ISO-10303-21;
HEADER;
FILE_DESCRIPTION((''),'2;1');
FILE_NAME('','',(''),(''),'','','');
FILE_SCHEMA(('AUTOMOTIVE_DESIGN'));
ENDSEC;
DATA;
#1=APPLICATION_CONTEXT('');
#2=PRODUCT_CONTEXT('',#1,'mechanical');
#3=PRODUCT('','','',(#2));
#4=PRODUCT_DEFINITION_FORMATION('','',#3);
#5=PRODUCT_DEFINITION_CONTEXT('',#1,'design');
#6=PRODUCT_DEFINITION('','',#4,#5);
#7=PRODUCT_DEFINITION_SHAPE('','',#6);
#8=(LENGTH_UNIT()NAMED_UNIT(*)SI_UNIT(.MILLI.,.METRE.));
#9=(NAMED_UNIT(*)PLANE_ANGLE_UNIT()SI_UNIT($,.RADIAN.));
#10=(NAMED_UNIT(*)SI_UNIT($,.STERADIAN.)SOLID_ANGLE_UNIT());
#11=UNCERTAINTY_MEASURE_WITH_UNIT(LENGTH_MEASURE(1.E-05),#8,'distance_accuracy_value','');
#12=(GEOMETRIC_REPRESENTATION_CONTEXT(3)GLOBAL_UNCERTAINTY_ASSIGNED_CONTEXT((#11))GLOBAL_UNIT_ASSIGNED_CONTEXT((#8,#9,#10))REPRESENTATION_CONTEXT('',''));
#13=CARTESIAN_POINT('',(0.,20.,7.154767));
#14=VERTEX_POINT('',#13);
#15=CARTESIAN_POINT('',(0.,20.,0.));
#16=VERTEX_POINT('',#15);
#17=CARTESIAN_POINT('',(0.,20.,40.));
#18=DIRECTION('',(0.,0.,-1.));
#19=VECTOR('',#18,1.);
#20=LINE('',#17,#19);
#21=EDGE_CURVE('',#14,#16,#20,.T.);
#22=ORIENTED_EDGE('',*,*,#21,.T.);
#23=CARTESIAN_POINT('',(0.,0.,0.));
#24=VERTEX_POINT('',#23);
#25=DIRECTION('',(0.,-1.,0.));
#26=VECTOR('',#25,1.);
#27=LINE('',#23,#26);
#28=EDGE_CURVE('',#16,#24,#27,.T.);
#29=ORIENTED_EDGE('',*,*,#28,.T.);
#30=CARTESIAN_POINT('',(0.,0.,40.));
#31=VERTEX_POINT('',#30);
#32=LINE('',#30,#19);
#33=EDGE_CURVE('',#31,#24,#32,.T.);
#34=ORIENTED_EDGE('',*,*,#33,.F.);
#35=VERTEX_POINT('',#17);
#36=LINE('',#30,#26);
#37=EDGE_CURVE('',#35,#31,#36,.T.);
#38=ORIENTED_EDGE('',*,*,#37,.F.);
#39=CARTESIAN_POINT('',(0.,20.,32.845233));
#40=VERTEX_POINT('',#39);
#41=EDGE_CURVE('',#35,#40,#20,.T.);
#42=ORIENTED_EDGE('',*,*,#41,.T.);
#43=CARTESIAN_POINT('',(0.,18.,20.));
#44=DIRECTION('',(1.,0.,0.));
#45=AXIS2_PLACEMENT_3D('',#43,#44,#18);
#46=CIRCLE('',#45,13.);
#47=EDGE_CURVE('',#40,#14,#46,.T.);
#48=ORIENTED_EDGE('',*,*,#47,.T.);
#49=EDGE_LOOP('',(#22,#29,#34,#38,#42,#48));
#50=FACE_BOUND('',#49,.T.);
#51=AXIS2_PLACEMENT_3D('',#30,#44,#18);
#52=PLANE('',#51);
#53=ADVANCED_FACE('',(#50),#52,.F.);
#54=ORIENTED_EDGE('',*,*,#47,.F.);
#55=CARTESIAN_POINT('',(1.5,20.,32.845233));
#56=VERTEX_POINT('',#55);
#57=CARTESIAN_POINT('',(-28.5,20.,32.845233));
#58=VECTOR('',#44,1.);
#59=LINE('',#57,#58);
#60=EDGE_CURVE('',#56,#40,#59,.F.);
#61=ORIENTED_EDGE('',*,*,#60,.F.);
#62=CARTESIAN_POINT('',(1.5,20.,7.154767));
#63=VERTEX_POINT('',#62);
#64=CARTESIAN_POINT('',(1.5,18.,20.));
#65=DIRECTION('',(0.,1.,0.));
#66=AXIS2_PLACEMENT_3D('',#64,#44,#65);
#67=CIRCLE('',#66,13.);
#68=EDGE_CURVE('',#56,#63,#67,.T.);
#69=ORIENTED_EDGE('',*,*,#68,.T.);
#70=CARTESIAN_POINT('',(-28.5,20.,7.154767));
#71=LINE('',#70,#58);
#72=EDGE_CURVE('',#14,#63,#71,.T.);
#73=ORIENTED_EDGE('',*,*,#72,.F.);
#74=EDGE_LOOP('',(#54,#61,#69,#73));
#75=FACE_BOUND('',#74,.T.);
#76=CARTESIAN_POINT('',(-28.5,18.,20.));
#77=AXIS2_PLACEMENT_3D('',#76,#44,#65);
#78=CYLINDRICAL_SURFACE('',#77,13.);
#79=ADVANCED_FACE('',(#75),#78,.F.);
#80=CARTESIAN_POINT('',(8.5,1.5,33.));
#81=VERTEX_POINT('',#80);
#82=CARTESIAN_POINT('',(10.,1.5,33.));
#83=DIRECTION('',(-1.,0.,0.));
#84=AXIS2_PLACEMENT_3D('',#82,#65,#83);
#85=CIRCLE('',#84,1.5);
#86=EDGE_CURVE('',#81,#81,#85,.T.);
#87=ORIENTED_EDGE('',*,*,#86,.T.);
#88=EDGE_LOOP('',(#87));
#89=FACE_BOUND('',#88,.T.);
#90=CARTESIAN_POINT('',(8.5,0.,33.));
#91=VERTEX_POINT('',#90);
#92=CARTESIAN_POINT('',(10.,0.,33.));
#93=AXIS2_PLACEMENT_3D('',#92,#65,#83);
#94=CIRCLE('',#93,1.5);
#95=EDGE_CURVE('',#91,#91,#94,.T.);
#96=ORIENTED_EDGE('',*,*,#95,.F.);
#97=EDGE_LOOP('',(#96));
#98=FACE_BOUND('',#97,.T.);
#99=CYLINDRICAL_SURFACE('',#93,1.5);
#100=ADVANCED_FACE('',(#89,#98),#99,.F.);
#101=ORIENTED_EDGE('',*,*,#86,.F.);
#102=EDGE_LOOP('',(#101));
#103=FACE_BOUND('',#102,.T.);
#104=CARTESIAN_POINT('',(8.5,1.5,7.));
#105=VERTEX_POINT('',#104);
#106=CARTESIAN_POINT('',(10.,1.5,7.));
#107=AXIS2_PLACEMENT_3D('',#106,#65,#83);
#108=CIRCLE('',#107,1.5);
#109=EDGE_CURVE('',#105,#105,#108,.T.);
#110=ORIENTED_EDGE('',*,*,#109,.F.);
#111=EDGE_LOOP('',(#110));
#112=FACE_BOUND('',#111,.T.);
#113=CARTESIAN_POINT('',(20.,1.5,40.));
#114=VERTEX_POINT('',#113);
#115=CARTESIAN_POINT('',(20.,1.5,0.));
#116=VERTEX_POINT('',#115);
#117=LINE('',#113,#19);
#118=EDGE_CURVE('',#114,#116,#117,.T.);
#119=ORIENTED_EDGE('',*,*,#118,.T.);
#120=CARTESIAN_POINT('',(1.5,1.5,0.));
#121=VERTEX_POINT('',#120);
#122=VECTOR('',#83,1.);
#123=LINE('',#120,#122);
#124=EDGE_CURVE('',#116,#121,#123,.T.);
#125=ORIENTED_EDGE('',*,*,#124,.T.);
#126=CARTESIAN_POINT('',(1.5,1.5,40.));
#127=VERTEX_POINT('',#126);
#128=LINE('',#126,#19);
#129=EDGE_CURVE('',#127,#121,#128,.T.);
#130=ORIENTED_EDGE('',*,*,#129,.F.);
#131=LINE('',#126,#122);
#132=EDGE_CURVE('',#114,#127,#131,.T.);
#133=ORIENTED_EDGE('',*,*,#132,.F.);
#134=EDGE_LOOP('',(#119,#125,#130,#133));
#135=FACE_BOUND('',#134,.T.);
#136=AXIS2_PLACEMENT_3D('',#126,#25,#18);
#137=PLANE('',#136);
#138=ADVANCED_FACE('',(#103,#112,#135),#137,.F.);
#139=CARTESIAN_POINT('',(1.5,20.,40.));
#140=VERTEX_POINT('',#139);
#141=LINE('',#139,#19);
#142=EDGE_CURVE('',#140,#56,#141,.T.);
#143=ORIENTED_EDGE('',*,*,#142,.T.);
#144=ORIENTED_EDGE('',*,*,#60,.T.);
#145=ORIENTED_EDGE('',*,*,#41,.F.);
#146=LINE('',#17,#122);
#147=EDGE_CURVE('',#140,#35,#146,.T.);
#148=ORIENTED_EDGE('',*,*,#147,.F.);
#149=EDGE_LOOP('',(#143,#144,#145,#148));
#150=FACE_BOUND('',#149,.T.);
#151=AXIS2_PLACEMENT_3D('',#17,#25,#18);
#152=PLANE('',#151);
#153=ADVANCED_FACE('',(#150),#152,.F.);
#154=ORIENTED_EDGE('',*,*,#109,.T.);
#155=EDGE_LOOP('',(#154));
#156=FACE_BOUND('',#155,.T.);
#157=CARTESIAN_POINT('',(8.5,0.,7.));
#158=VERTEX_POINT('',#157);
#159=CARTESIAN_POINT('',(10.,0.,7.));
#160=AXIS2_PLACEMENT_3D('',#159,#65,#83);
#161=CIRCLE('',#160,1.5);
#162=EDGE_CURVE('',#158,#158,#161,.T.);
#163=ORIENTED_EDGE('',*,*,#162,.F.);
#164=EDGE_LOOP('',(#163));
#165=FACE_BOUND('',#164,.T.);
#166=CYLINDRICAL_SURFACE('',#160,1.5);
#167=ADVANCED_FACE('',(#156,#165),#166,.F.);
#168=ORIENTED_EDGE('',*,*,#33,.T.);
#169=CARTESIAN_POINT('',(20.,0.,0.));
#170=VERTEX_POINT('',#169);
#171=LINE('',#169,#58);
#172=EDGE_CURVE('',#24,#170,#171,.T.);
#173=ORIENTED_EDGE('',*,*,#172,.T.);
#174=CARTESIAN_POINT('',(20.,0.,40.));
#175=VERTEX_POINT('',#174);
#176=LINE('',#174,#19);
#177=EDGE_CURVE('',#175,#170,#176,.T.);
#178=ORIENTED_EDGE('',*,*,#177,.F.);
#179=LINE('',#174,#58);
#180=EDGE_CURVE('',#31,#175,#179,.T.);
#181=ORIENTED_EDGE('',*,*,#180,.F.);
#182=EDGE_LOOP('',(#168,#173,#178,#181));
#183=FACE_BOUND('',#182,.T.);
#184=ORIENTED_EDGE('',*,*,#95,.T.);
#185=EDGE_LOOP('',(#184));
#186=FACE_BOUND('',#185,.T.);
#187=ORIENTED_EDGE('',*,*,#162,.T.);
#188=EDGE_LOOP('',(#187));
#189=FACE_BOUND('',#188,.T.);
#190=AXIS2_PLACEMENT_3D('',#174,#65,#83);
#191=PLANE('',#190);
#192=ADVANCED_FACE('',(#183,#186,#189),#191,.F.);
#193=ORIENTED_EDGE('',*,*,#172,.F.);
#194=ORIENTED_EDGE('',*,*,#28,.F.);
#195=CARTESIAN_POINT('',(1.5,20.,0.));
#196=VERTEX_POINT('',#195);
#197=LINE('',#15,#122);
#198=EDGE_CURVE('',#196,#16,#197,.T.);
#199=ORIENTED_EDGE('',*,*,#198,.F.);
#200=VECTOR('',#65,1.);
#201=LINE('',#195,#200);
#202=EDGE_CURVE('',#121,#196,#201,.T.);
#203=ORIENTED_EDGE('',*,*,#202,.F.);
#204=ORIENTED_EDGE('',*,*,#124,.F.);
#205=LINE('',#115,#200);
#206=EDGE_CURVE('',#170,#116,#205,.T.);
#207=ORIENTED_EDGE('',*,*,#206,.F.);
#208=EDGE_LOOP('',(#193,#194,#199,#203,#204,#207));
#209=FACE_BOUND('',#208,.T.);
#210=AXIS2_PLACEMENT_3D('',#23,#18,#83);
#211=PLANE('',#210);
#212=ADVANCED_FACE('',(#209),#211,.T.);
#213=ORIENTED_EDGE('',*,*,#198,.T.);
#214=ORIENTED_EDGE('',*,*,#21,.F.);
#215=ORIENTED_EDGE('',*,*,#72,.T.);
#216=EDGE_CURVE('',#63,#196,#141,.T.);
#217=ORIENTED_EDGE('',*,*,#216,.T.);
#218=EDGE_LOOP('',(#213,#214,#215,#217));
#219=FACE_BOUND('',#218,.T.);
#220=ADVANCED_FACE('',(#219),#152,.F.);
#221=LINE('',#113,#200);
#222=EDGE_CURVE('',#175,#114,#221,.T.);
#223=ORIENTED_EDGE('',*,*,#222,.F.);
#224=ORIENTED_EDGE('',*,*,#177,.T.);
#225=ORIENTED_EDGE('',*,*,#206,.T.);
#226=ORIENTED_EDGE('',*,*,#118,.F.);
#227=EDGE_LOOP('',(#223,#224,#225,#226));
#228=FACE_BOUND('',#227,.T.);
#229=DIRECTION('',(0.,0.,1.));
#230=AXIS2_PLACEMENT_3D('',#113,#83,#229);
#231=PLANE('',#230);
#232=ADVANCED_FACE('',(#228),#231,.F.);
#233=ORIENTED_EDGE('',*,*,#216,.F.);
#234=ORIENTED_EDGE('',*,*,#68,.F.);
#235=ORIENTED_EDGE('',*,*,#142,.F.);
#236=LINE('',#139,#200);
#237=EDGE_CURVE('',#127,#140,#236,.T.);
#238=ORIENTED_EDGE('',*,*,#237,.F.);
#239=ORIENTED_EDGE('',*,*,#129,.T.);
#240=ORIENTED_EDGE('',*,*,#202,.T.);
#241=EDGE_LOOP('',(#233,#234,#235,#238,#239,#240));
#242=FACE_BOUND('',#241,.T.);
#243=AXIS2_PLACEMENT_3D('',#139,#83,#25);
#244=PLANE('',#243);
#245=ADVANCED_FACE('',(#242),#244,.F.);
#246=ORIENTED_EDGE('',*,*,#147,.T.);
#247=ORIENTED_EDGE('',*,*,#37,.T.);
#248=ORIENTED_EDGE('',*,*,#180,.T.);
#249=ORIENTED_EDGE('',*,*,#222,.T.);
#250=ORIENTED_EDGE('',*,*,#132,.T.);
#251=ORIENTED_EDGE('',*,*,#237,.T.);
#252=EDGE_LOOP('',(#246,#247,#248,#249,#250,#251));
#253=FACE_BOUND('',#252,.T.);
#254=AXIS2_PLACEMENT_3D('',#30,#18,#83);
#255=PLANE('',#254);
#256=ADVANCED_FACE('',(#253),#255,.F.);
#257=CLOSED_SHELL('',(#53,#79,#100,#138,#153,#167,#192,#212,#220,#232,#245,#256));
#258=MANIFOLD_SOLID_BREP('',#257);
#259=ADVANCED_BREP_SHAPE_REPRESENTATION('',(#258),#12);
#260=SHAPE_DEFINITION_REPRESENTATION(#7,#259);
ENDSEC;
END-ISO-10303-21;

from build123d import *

# Parameters (mm, degrees)
EXTRUSION1_DEPTH = 40
ESQUISSE2_R      = 13
EXTRUSION2_DEPTH = 30
ESQUISSE3_R      = 1.5
EXTRUSION3_DEPTH = 49.396797415


with BuildPart() as part:
    # Esquisse1 → Extrusion1 (new body)
    with BuildSketch(Plane.XY):
        Polygon((0, 0), (0, 20), (1.5, 20), (1.5, 1.5), (20, 1.5), (20, 0), align=None)
    extrude(amount=EXTRUSION1_DEPTH)

    # Esquisse2 → Extrusion2 (cut)
    with BuildSketch(Plane(origin=(1.5, 0, 0), x_dir=(0, 0, -1), z_dir=(1, 0, 0))):
        with Locations((-20, 18)):
            Circle(ESQUISSE2_R)
    extrude(amount=-EXTRUSION2_DEPTH, mode=Mode.SUBTRACT)

    # Esquisse3 → Extrusion3 (cut, through all)
    with BuildSketch(Plane(origin=(0, 1.5, 0), x_dir=(-1, 0, 0), z_dir=(0, 1, 0))):
        with Locations((-10, 33)):
            Circle(ESQUISSE3_R)
        with Locations((-10, 7)):
            Circle(ESQUISSE3_R)
    extrude(amount=-EXTRUSION3_DEPTH, mode=Mode.SUBTRACT)


solid = part.part
